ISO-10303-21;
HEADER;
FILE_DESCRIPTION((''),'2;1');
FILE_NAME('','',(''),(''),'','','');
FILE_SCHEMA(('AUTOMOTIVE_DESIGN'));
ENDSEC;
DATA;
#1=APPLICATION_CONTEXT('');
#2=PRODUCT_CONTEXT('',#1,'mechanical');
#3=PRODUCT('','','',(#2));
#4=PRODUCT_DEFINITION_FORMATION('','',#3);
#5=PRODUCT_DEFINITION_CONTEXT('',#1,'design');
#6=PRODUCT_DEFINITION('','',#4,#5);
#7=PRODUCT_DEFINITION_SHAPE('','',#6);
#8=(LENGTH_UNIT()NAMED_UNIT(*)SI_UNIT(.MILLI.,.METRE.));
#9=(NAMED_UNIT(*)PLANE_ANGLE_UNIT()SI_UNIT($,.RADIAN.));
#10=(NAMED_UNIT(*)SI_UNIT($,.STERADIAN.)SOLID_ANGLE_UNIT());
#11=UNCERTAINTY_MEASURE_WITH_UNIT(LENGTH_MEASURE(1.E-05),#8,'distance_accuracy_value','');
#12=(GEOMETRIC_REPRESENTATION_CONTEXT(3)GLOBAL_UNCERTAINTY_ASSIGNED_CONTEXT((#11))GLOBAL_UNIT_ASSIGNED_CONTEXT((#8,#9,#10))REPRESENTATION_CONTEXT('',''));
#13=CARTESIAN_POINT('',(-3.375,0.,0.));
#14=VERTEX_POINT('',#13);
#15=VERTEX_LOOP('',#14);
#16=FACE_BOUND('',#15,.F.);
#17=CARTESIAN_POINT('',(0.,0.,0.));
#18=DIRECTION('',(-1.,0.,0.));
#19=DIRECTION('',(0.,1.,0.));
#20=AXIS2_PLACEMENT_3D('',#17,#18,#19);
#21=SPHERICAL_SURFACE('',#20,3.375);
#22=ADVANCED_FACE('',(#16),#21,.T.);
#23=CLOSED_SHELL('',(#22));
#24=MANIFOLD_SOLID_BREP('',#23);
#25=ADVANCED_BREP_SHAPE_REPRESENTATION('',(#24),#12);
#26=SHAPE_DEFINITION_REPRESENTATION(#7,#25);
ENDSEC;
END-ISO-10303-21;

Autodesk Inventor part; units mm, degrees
sketch "Sketch_1" plane through (0, 0, 0) normal (0, 0, 1) x (1, 0, 0)
  line L0 (3.375, 0) -> (-3.375, 0)
  arc A0 (3.375, 0) -> (-3.375, 0) centre (0, 0) ccw
  line L1 (3.375, 0) -> (-3.375, 0)
revolve "Revolution1" add sketch "Sketch_1" angle 360 about axis through (3.375, 0, 0) along (1, 0, 0)
ref_plane "ip_cst_2_b_1_XY" through (0, 0, 0) normal (1, 0, 0) x (0, 0, -1)
ref_plane "ip_cst_2_b_1_YZ" through (0, 0, 0) normal (0, 0, -1) x (0, 1, 0)
ref_plane "ip_cst_2_b_1_ZX" through (0, 0, 0) normal (0, 1, 0) x (1, 0, 0)
properties part number "6007DDU Ball"
